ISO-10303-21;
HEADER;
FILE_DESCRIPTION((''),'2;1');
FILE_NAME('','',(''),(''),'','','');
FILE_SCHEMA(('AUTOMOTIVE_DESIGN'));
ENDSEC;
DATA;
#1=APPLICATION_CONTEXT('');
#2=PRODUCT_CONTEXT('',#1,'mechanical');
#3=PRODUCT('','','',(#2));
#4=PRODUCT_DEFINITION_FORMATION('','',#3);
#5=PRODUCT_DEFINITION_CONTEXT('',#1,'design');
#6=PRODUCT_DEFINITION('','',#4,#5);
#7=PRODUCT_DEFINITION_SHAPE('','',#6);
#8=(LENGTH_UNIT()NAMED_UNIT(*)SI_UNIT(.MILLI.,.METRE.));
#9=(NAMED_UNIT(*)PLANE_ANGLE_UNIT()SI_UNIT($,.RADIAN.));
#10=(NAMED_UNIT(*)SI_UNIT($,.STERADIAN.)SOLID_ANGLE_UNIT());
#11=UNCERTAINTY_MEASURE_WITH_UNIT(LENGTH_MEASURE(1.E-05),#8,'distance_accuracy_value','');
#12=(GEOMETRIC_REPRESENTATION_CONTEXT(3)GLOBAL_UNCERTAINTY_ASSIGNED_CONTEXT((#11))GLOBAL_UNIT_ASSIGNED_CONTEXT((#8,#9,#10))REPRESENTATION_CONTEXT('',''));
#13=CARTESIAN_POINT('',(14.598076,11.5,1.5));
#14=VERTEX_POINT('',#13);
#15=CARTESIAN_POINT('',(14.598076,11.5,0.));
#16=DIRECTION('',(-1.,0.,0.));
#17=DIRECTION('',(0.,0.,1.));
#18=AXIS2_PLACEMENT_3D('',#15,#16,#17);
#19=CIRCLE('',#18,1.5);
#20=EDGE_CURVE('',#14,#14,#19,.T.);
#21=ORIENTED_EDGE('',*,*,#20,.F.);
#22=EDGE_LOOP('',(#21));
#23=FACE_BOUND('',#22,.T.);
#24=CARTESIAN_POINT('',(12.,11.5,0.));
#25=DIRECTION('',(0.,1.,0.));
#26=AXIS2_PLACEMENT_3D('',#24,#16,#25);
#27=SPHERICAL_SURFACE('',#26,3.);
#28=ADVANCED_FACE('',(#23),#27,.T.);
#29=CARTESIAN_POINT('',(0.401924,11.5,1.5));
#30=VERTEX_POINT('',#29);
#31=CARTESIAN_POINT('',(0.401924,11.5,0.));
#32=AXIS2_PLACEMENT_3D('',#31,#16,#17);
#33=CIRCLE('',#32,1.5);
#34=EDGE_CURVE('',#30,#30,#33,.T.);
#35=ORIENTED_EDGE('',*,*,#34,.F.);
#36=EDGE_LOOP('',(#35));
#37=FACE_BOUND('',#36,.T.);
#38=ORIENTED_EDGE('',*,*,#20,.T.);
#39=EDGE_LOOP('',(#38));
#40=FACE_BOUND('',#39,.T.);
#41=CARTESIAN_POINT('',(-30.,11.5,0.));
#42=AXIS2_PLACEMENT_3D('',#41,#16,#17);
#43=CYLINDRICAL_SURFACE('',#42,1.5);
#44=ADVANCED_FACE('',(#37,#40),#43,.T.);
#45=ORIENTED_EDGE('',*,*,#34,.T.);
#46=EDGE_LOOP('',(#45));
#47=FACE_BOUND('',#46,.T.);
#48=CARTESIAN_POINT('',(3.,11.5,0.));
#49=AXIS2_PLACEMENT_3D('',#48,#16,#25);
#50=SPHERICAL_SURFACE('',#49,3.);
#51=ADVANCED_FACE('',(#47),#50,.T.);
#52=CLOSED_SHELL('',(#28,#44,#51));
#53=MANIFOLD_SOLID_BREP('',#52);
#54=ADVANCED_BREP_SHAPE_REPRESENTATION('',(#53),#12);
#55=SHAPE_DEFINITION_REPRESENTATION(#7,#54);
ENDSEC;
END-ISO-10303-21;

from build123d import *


with BuildPart() as part:
    # Esquisse1 → Base-Révolution (revolve)
    with BuildSketch(Plane.XY):
        with BuildLine():
            Line((0.401923789, 13), (14.598076211, 13))
            ThreePointArc((14.598076211, 13), (14.897777479, 12.276457135), (15, 11.5))
            Line((15, 11.5), (0, 11.5))
            ThreePointArc((0, 11.5), (0.102222521, 12.276457135), (0.401923789, 13))
        make_face()
    revolve(axis=Axis((-30, 11.5, 0), (1, 0, 0)))


solid = part.part
